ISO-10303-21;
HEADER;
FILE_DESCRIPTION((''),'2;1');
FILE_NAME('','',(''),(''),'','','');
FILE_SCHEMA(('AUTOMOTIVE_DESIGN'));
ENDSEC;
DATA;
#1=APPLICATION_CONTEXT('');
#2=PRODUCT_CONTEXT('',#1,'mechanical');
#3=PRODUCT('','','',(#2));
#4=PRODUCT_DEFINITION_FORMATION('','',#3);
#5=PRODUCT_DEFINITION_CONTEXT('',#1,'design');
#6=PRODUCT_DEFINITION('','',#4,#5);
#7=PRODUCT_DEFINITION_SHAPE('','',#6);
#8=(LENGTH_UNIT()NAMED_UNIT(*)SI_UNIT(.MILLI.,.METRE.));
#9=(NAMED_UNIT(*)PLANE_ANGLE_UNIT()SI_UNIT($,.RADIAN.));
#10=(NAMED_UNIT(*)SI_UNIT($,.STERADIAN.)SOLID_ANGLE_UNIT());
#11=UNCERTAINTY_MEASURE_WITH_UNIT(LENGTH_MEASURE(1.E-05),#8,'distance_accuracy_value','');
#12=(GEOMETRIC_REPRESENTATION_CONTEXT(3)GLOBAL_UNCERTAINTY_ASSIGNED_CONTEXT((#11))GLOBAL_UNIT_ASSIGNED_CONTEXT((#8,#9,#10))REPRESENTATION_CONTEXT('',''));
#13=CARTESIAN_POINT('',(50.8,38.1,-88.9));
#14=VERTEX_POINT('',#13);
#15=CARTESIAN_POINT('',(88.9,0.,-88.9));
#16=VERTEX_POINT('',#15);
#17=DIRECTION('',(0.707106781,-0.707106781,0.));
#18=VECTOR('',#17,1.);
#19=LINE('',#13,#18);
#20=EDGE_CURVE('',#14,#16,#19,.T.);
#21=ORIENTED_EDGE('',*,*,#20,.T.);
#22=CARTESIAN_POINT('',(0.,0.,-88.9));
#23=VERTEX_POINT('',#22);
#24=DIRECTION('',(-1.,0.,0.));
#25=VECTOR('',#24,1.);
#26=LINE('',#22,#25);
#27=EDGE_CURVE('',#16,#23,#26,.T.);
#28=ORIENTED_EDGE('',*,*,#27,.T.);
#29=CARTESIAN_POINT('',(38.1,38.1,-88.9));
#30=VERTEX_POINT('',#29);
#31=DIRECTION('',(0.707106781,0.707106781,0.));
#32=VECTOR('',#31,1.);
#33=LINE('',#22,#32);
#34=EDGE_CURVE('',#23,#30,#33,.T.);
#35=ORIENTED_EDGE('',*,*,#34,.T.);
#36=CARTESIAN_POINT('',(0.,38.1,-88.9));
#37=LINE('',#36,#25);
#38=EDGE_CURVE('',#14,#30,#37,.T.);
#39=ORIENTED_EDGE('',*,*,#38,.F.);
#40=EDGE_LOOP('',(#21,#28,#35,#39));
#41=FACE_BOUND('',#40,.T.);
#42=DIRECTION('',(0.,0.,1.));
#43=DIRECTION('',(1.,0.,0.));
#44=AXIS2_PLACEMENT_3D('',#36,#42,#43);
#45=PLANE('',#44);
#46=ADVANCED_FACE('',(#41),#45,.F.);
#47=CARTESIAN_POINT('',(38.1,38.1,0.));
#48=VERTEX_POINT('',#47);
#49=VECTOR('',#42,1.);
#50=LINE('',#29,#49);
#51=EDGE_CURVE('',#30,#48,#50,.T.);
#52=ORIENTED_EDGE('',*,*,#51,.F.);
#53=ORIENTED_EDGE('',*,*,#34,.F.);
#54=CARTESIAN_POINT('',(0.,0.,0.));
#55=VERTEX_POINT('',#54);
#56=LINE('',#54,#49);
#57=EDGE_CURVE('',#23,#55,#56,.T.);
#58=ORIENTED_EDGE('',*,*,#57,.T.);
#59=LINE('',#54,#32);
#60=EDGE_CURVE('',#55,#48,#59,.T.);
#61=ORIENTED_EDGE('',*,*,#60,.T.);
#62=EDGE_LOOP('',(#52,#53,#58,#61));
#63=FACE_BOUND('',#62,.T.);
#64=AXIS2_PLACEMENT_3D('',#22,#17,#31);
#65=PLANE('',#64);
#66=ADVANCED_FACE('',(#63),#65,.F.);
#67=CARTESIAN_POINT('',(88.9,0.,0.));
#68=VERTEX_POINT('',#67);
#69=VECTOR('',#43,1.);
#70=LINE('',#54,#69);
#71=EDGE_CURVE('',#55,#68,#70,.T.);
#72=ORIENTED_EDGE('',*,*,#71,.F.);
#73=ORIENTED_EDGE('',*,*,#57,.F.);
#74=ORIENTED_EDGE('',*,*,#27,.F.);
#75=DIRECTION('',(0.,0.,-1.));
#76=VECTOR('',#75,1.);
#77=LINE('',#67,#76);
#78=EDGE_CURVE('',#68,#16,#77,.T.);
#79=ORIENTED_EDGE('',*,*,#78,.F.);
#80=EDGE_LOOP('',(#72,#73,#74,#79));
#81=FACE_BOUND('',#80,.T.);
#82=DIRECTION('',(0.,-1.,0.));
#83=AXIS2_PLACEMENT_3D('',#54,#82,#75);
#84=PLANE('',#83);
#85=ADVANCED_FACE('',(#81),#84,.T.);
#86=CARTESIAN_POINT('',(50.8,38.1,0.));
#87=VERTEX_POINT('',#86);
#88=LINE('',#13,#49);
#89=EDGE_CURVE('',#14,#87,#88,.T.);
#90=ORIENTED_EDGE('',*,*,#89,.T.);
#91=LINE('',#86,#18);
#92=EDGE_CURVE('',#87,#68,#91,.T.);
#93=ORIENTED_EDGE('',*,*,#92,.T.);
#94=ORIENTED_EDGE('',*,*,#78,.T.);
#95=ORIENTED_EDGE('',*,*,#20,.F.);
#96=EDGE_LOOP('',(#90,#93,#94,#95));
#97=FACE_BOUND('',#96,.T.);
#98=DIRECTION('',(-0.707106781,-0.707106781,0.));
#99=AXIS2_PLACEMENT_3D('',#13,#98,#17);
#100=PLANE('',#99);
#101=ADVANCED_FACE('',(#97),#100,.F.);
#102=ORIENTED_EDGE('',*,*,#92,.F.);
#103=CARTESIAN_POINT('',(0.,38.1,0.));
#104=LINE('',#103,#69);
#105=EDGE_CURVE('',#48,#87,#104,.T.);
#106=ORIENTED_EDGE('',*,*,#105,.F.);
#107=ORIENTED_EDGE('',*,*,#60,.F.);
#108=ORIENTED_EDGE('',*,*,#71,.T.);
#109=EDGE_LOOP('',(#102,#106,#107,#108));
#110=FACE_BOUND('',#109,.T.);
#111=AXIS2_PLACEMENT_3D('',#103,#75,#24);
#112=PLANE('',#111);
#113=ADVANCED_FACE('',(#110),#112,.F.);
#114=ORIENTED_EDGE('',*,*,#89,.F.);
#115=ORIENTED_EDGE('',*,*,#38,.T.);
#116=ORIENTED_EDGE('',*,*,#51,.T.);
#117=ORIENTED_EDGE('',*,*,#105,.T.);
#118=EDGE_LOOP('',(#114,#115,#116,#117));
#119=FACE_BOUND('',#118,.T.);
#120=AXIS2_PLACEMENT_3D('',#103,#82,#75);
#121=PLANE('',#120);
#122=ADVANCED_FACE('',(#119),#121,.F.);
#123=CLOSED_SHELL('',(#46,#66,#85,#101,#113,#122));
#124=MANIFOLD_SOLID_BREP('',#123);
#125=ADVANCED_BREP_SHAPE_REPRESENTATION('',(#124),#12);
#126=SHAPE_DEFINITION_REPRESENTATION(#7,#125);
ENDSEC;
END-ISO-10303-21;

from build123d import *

# Parameters (mm, degrees)
SKETCH1_W           = 88.9
SKETCH1_H           = 88.9
BOSS_EXTRUDE1_DEPTH = 38.1
CUT_EXTRUDE1_DEPTH  = 89.9


with BuildPart() as part:
    # Sketch1 → Boss-Extrude1 (new body)
    with BuildSketch(Plane(origin=(0, 0, 0), x_dir=(1, 0, 0), z_dir=(0, 1, 0))):
        with Locations((44.45, 44.45)):
            Rectangle(SKETCH1_W, SKETCH1_H)
    extrude(amount=BOSS_EXTRUDE1_DEPTH)

    # Sketch2 → Cut-Extrude1 (cut, through all)
    with BuildSketch(Plane.XY):
        Polygon((0, 0), (38.1, 38.1), (0, 38.1), align=None)
        Polygon((88.9, 0), (88.9, 38.1), (50.8, 38.1), align=None)
    extrude(amount=-CUT_EXTRUDE1_DEPTH, mode=Mode.SUBTRACT)


solid = part.part
